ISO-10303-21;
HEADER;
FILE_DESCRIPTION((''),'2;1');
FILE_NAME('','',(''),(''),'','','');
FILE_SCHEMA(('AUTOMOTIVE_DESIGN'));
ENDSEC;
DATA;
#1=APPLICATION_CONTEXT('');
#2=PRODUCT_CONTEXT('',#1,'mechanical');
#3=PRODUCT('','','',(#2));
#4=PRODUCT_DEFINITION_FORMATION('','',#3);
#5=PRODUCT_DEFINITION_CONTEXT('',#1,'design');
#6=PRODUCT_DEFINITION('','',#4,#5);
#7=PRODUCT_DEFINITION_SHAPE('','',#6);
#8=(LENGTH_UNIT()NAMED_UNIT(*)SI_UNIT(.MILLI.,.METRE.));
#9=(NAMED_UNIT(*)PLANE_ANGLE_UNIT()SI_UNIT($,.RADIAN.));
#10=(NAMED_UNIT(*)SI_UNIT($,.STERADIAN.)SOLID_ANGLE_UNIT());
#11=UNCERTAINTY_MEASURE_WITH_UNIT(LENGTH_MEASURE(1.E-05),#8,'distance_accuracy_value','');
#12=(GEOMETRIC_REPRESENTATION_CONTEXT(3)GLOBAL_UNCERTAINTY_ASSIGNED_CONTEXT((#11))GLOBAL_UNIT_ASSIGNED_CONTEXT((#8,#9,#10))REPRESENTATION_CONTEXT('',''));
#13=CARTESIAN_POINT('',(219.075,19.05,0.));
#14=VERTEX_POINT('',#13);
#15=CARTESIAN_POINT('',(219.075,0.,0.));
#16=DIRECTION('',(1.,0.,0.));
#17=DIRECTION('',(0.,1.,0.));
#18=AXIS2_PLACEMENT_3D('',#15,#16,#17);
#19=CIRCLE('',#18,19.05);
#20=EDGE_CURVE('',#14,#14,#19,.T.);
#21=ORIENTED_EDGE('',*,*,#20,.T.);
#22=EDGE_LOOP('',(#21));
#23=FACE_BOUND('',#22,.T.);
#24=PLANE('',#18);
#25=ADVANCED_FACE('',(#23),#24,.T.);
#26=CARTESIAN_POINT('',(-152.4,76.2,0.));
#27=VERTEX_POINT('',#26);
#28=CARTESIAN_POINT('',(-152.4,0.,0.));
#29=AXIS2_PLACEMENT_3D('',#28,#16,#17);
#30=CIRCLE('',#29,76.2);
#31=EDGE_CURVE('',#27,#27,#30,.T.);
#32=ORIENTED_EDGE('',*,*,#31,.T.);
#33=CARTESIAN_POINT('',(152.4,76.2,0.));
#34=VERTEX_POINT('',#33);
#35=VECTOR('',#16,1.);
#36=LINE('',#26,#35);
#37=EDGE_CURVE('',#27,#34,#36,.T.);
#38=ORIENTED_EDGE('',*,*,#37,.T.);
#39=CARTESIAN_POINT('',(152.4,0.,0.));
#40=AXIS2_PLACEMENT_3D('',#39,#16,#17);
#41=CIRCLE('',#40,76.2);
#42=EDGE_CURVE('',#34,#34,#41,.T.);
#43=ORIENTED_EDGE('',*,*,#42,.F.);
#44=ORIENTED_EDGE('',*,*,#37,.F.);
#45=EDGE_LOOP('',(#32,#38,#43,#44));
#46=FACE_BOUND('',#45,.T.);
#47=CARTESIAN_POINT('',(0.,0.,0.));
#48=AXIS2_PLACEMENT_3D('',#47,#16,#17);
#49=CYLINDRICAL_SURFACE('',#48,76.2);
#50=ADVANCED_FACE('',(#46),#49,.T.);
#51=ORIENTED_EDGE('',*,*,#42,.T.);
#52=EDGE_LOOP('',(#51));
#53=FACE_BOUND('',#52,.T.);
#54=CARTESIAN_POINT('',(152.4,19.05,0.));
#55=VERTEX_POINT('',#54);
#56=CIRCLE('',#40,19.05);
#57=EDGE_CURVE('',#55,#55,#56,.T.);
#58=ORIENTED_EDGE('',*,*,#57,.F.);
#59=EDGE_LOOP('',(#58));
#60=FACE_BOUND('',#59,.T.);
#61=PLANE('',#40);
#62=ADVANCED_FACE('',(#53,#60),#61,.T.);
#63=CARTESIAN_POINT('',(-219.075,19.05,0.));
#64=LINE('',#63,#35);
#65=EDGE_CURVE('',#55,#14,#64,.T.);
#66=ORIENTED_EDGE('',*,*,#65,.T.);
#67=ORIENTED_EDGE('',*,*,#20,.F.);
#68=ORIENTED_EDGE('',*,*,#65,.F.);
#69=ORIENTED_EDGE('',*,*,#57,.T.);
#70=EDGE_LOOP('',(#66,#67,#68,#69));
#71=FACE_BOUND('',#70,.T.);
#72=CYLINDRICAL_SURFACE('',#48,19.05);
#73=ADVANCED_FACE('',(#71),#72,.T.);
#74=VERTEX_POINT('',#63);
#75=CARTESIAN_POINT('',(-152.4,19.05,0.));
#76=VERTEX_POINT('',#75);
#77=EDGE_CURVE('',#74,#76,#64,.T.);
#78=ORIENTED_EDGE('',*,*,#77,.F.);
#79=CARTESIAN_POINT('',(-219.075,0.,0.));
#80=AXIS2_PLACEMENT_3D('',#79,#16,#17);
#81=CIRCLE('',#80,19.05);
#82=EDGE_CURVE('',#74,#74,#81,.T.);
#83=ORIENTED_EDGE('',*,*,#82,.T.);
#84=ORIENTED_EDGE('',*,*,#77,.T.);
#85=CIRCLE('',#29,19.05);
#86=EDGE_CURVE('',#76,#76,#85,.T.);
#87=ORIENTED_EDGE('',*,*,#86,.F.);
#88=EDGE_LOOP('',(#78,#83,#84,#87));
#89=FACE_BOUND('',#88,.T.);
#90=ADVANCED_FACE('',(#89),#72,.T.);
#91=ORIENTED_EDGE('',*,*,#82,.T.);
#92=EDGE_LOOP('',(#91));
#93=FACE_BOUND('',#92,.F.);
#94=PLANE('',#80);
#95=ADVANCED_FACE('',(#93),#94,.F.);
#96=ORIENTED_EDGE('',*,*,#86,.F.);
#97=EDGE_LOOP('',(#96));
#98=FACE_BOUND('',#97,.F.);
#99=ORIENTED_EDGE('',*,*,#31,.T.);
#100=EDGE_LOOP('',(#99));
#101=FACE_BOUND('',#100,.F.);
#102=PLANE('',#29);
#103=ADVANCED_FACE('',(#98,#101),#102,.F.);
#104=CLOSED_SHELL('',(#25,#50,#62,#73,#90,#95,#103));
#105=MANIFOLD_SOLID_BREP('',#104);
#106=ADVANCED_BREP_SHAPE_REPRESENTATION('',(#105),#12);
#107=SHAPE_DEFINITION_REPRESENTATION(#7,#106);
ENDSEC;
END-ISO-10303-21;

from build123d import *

# Parameters (mm, degrees)
F0_R     = 19.05
F1_DEPTH = 219.075
F2_R     = 76.2
F3_DEPTH = 152.4


with BuildPart() as f1:
    # F0 (on Right) → F1 (new body, symmetric)
    with BuildSketch(Plane.YZ):
        Circle(F0_R)
    extrude(amount=F1_DEPTH, both=True)

    # F2 (on Right) → F3 (join, symmetric)
    with BuildSketch(Plane.YZ):
        Circle(F2_R)
    extrude(amount=F3_DEPTH, both=True)


solid = f1.part
